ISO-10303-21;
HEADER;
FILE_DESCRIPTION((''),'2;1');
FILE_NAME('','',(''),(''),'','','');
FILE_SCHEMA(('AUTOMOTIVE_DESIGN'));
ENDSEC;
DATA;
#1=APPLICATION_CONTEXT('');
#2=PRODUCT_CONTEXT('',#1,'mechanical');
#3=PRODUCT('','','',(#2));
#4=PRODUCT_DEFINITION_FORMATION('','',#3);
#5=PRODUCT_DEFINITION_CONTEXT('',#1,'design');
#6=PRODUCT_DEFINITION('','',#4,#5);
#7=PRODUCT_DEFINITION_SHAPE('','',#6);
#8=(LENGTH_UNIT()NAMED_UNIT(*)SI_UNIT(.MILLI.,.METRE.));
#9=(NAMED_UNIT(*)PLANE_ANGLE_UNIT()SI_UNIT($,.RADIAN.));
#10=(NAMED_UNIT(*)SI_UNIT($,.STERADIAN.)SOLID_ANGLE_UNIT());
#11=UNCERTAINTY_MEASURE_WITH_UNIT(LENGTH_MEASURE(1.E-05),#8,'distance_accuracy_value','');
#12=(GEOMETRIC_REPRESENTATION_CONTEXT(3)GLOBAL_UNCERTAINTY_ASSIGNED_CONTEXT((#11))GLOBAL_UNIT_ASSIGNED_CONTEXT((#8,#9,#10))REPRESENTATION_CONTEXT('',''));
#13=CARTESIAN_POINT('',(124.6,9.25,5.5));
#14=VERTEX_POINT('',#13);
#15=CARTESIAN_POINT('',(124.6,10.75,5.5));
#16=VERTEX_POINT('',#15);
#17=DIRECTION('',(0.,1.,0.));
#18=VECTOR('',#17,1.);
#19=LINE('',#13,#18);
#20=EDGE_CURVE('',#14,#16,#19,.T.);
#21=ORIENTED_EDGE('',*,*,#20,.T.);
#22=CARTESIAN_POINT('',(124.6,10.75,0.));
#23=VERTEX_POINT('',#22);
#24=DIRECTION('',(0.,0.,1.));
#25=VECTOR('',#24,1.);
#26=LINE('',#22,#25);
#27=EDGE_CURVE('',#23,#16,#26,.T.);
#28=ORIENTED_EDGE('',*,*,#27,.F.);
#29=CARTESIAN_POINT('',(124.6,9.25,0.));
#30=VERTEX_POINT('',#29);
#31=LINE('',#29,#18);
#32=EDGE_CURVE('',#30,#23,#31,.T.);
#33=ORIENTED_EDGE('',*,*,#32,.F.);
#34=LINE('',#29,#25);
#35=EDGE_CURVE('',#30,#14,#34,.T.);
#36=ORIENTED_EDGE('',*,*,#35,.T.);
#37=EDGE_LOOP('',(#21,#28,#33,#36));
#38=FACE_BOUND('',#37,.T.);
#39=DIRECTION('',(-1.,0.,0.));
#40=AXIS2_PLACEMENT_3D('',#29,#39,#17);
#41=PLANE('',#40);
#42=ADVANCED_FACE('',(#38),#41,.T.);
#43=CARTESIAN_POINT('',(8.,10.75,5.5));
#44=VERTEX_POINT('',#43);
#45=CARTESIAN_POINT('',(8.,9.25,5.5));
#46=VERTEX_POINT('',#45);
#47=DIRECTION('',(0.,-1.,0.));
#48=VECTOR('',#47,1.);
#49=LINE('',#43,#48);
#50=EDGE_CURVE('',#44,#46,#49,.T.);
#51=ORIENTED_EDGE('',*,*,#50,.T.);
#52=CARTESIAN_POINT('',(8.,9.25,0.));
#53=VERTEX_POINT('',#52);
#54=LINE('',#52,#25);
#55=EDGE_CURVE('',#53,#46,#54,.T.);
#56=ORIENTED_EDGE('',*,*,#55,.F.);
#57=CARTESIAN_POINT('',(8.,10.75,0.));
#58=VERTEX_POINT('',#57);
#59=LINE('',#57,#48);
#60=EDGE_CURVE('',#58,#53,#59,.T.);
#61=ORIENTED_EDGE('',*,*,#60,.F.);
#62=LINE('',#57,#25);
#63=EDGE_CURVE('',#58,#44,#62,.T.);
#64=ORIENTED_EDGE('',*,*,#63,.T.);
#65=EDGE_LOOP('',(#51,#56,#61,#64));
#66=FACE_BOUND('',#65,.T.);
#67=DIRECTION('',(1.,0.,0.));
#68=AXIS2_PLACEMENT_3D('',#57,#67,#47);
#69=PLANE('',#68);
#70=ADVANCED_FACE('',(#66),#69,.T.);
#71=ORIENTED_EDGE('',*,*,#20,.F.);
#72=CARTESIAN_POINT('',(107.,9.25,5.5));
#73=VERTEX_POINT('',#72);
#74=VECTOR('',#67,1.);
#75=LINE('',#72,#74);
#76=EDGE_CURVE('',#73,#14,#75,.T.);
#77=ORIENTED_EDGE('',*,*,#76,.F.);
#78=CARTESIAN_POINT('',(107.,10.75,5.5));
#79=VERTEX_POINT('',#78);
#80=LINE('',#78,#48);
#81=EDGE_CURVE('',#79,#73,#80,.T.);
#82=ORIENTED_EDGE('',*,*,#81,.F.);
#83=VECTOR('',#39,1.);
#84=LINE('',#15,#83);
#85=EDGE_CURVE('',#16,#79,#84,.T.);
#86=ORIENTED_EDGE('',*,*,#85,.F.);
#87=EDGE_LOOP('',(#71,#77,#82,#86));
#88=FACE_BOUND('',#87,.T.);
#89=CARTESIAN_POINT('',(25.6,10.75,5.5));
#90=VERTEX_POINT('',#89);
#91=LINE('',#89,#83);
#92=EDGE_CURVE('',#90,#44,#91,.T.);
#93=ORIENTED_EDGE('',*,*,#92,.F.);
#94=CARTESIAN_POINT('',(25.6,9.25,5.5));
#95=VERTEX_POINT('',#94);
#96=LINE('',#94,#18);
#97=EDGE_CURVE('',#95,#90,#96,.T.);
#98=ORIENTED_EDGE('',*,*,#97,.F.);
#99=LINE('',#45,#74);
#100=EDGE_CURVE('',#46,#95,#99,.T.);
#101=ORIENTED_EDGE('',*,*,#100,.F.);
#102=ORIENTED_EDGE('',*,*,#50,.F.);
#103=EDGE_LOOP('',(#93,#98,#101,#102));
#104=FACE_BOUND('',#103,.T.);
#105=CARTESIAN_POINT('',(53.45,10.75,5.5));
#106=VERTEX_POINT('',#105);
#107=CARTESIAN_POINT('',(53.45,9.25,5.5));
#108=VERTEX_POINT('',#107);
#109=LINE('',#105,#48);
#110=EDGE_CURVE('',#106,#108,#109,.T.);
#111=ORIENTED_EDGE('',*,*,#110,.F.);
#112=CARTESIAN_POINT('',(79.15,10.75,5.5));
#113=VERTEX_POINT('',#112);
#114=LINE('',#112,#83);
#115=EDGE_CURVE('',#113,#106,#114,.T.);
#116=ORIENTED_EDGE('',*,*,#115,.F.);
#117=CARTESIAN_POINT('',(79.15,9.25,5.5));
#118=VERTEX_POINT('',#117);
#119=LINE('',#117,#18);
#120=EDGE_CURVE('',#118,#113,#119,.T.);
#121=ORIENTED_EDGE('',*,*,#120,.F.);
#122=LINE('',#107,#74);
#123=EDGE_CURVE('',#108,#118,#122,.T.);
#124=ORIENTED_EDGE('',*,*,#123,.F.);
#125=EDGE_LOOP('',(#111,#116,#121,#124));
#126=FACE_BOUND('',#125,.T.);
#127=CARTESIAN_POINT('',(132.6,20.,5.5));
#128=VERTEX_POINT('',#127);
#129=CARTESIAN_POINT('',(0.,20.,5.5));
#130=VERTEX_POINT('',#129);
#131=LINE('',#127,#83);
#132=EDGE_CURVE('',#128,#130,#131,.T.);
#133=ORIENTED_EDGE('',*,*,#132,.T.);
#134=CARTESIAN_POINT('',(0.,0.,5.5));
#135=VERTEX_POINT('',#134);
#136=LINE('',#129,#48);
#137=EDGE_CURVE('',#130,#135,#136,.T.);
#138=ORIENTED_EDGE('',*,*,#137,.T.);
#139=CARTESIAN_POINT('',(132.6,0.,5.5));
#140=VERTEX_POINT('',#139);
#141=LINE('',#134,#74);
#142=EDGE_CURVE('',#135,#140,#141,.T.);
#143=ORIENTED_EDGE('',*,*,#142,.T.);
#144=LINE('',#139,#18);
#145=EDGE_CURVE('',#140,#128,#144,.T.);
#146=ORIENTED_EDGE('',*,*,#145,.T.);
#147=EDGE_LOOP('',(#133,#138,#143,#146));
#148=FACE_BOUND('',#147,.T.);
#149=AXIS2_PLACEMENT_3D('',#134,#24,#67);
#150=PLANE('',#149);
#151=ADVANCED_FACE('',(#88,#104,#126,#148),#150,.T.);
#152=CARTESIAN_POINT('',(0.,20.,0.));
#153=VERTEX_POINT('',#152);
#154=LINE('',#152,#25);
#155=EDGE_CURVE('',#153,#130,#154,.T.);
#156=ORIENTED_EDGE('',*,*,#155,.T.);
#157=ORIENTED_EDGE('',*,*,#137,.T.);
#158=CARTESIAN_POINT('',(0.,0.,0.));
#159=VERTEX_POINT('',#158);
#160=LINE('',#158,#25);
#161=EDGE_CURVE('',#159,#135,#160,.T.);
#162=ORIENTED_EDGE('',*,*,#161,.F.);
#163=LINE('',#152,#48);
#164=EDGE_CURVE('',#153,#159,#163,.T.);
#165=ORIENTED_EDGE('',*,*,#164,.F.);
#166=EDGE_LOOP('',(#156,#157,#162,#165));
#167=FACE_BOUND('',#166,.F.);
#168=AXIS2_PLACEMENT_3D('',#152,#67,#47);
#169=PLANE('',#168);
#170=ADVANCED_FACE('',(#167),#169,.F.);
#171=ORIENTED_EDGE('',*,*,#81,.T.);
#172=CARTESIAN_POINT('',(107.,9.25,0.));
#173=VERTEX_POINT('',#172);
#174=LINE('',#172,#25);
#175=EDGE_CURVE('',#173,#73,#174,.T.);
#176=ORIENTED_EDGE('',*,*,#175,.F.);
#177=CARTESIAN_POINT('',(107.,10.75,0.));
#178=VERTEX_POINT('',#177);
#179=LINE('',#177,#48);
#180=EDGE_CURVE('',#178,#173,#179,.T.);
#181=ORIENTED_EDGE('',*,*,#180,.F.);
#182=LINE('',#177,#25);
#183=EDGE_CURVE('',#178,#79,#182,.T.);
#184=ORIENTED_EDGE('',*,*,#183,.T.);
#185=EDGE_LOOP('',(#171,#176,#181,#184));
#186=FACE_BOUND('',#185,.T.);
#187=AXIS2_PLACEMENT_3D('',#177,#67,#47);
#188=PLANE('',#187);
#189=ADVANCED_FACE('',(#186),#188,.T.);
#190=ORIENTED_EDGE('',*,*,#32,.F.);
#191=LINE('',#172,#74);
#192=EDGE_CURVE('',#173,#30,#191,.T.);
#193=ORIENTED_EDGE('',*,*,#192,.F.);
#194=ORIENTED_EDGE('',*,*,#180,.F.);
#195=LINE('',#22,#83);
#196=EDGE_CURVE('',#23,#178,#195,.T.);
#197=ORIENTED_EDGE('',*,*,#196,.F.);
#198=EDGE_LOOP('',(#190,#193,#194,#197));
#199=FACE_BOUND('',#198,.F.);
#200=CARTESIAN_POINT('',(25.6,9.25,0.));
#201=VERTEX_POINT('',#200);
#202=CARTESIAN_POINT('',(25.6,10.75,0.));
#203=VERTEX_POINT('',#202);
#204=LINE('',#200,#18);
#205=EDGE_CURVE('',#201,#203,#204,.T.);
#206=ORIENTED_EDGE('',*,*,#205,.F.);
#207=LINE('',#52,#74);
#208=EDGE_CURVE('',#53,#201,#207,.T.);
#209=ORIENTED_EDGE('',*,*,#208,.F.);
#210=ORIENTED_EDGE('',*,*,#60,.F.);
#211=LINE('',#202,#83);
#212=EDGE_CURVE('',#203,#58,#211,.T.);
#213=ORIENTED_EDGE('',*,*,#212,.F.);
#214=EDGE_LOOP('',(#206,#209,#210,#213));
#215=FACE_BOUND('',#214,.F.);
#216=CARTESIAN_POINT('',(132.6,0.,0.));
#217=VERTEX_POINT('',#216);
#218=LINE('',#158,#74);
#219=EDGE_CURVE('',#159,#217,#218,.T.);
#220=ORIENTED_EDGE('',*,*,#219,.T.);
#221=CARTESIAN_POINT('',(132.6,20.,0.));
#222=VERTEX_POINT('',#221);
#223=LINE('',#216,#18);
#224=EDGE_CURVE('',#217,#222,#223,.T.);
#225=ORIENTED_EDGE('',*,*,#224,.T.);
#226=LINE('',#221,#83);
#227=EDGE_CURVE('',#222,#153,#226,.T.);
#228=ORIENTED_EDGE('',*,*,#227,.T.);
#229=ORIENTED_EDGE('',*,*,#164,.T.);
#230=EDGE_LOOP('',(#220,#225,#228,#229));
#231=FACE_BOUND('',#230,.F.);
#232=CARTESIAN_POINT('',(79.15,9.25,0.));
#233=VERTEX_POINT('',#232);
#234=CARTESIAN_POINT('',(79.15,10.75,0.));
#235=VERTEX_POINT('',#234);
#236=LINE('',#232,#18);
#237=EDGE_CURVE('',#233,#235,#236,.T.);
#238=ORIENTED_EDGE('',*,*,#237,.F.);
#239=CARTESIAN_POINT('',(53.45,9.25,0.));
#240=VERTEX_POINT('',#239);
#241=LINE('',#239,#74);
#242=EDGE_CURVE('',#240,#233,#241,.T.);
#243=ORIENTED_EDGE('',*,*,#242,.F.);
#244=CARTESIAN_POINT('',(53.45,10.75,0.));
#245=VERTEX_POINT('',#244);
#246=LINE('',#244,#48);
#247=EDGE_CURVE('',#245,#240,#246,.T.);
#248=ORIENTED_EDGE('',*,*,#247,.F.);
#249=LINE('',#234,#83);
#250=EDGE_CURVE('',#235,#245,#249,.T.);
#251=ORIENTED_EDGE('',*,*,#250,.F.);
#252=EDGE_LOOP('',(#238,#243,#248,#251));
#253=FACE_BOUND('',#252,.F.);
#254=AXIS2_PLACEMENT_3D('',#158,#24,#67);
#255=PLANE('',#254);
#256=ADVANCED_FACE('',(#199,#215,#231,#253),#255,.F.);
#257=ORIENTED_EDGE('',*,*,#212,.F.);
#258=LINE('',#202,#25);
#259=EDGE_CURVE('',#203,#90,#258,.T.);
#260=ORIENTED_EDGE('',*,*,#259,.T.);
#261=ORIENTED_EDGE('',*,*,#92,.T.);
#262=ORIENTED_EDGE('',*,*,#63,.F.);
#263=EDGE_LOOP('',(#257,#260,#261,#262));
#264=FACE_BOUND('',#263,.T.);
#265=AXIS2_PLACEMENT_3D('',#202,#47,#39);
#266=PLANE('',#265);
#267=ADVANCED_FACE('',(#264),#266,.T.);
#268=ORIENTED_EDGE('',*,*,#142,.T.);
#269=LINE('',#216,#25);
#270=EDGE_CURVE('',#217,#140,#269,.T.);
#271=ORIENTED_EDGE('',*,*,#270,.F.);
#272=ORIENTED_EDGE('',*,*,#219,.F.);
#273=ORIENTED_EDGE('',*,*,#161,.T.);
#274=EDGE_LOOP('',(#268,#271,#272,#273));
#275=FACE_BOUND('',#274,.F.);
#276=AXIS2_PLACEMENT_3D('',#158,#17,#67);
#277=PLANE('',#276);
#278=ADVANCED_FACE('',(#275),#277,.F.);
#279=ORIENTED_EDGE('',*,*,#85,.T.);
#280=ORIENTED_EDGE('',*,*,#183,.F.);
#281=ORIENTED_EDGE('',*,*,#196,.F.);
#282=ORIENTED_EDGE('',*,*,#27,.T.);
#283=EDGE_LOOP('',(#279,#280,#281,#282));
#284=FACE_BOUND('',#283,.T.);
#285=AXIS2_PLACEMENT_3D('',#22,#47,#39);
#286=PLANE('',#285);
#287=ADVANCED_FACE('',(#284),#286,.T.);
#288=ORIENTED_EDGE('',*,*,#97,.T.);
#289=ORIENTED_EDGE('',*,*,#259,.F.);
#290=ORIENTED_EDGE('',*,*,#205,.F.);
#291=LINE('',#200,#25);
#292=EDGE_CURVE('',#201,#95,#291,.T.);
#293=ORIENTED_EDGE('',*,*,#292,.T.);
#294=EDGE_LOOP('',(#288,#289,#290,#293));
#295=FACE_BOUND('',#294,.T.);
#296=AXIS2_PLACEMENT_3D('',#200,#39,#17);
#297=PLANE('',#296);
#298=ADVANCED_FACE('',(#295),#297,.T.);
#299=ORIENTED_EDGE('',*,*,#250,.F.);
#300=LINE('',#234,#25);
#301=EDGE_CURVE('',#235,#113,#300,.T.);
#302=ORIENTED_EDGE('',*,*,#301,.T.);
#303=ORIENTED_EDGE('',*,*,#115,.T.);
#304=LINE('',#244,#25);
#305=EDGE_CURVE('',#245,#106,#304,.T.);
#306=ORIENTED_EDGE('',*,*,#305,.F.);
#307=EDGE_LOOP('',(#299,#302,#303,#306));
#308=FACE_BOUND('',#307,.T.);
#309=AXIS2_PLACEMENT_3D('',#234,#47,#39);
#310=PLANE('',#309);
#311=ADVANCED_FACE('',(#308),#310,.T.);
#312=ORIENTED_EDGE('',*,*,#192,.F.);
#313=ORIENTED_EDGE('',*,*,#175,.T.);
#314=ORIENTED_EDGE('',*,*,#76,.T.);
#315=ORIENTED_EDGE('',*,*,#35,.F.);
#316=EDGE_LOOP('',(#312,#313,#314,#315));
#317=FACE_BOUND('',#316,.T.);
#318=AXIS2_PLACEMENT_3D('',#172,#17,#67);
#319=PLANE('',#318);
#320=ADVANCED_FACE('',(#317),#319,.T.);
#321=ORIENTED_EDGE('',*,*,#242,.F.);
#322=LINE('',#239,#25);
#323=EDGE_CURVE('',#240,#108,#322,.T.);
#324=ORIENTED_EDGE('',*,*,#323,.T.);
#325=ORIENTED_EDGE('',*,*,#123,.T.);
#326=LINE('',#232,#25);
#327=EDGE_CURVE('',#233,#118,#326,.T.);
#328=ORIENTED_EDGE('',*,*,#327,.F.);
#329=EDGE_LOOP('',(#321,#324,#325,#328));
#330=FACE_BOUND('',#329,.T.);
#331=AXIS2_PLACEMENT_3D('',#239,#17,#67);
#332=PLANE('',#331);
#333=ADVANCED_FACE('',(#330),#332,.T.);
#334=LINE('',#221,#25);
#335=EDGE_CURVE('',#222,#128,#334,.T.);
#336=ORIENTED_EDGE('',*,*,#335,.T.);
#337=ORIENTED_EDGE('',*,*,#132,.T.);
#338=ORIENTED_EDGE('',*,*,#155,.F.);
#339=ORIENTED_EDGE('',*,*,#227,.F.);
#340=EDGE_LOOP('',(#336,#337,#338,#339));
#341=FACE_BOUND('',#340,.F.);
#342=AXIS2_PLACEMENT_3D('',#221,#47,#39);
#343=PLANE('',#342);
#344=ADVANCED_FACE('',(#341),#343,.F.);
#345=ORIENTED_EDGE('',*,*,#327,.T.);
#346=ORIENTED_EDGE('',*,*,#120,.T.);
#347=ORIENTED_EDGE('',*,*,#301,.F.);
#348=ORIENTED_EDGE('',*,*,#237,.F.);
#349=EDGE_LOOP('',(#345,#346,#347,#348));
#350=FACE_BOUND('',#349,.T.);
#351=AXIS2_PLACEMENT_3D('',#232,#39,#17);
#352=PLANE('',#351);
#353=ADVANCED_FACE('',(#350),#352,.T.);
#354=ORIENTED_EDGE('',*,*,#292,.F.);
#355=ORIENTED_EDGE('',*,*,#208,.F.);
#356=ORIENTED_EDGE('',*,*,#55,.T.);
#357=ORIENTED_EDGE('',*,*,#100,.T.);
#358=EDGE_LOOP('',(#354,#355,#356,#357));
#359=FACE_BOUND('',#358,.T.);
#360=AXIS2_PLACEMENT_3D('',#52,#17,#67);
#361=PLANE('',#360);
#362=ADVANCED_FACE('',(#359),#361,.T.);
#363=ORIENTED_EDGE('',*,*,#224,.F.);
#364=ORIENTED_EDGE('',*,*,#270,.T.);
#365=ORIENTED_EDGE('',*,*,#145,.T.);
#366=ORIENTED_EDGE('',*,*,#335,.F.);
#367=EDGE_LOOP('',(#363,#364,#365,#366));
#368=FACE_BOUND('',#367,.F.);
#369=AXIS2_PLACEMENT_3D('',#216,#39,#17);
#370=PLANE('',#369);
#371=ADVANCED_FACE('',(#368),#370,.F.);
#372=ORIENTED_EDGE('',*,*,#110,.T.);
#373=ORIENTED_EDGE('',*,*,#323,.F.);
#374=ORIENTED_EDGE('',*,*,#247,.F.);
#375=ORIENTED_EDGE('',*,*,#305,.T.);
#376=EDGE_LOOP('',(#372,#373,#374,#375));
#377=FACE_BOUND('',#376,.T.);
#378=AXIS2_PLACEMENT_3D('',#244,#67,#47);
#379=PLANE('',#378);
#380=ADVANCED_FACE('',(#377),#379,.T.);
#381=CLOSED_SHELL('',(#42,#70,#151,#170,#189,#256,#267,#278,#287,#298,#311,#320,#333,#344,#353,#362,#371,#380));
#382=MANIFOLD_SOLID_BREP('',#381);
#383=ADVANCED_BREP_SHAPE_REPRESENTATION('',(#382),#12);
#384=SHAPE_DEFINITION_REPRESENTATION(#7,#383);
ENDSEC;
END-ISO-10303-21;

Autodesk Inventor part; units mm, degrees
ref_plane "YZ Plane" through (0, 0, 0) normal (1, 0, 0) x (0, 1, 0)
ref_plane "XZ Plane" through (0, 0, 0) normal (0, 1, 0) x (-1, 0, 0)
sketch "Sketch1" plane through (0, 0, 0) normal (0, 0, 1) x (1, 0, 0)
  line L0 (0, 0) -> (132.6, 0)
  line L1 (132.6, 0) -> (132.6, 20)
  line L2 (132.6, 20) -> (0, 20)
  line L3 (0, 20) -> (0, 0)
  line L4 (0, 10) -> (132.6, 10) construction
  line L5 (66.3, 20) -> (66.3, 0) construction
  line L6 (53.45, 9.25) -> (79.15, 9.25)
  line L7 (79.15, 9.25) -> (79.15, 10.75)
  line L8 (79.15, 10.75) -> (53.45, 10.75)
  line L9 (53.45, 10.75) -> (53.45, 9.25)
  line L10 (53.45, 9.25) -> (79.15, 10.75) construction
  line L11 (79.15, 9.25) -> (53.45, 10.75) construction
  line L12 (8, 9.25) -> (25.6, 9.25)
  line L13 (25.6, 9.25) -> (25.6, 10.75)
  line L14 (25.6, 10.75) -> (8, 10.75)
  line L15 (8, 10.75) -> (8, 9.25)
  line L16 (8, 9.25) -> (25.6, 10.75) construction
  line L17 (25.6, 9.25) -> (8, 10.75) construction
  line L18 (107, 9.25) -> (124.6, 9.25)
  line L19 (124.6, 9.25) -> (124.6, 10.75)
  line L20 (124.6, 10.75) -> (107, 10.75)
  line L21 (107, 10.75) -> (107, 9.25)
  line L22 (107, 9.25) -> (124.6, 10.75) construction
  line L23 (124.6, 9.25) -> (107, 10.75) construction
  point P0 (66.3, 10)
  point P1 (16.8, 10)
  point P2 (115.8, 10)
  dimension "d0" = 132.6
  dimension "d1" = 20
  dimension "d2" = 25.7
  dimension "d3" = 1.5
  dimension "d4" = 17.6
  dimension "d5" = 1.5
  dimension "d6" = 49.5
  dimension "d7" = 17.6
  dimension "d8" = 1.5
  dimension "d9" = 49.5
extrude "Extrusion1" add sketch "Sketch1" along normal blind 5.5
ref_plane "Work Plane1" through (0, 10, 0) normal (0, 1, 0) x (1, 0, 0)
ref_plane "Work Plane2" through (66.3, 0, 0) normal (1, 0, 0) x (0, 0, -1)
equation "\"d1\" = midbottomw"
equation "\"d2\" = mmid + toler"
equation "\"d4\" = mlr + toler"
equation "\"d5\" = d3"
equation "\"d6\" = mbetween"
equation "\"d7\" = d4"
equation "\"d8\" = d3"
equation "\"d9\" = d6"
equation "\"thick\" = 0.5"
equation "\"lrlr\" = 19"
equation "\"lrmid\" = 19.9"
equation "\"lrdepth\" = 3.3"
equation "\"mlr\" = 16.6"
equation "\"mmid\" = 24.7"
equation "\"mdepth\" = 4.5"
equation "\"lrltotal\" = 126.6"
equation "\"mltotal\" = 126.6"
equation "\"lrbetween\" = 52.1"
equation "\"mbetween\" = 49.5"
equation "\"toler\" = 1"
equation "\"midbottomw\" = 20"
equation "\"stuckw\" = 6"
equation "\"tight\" = 0.08"
equation "\"sidewallL\" = 132.6"
equation "\"heaterH\" = 117.3"
equation "\"stickL\" = 3.5"
equation "\"wireH\" = 25"
properties part number "mid_bottom"
